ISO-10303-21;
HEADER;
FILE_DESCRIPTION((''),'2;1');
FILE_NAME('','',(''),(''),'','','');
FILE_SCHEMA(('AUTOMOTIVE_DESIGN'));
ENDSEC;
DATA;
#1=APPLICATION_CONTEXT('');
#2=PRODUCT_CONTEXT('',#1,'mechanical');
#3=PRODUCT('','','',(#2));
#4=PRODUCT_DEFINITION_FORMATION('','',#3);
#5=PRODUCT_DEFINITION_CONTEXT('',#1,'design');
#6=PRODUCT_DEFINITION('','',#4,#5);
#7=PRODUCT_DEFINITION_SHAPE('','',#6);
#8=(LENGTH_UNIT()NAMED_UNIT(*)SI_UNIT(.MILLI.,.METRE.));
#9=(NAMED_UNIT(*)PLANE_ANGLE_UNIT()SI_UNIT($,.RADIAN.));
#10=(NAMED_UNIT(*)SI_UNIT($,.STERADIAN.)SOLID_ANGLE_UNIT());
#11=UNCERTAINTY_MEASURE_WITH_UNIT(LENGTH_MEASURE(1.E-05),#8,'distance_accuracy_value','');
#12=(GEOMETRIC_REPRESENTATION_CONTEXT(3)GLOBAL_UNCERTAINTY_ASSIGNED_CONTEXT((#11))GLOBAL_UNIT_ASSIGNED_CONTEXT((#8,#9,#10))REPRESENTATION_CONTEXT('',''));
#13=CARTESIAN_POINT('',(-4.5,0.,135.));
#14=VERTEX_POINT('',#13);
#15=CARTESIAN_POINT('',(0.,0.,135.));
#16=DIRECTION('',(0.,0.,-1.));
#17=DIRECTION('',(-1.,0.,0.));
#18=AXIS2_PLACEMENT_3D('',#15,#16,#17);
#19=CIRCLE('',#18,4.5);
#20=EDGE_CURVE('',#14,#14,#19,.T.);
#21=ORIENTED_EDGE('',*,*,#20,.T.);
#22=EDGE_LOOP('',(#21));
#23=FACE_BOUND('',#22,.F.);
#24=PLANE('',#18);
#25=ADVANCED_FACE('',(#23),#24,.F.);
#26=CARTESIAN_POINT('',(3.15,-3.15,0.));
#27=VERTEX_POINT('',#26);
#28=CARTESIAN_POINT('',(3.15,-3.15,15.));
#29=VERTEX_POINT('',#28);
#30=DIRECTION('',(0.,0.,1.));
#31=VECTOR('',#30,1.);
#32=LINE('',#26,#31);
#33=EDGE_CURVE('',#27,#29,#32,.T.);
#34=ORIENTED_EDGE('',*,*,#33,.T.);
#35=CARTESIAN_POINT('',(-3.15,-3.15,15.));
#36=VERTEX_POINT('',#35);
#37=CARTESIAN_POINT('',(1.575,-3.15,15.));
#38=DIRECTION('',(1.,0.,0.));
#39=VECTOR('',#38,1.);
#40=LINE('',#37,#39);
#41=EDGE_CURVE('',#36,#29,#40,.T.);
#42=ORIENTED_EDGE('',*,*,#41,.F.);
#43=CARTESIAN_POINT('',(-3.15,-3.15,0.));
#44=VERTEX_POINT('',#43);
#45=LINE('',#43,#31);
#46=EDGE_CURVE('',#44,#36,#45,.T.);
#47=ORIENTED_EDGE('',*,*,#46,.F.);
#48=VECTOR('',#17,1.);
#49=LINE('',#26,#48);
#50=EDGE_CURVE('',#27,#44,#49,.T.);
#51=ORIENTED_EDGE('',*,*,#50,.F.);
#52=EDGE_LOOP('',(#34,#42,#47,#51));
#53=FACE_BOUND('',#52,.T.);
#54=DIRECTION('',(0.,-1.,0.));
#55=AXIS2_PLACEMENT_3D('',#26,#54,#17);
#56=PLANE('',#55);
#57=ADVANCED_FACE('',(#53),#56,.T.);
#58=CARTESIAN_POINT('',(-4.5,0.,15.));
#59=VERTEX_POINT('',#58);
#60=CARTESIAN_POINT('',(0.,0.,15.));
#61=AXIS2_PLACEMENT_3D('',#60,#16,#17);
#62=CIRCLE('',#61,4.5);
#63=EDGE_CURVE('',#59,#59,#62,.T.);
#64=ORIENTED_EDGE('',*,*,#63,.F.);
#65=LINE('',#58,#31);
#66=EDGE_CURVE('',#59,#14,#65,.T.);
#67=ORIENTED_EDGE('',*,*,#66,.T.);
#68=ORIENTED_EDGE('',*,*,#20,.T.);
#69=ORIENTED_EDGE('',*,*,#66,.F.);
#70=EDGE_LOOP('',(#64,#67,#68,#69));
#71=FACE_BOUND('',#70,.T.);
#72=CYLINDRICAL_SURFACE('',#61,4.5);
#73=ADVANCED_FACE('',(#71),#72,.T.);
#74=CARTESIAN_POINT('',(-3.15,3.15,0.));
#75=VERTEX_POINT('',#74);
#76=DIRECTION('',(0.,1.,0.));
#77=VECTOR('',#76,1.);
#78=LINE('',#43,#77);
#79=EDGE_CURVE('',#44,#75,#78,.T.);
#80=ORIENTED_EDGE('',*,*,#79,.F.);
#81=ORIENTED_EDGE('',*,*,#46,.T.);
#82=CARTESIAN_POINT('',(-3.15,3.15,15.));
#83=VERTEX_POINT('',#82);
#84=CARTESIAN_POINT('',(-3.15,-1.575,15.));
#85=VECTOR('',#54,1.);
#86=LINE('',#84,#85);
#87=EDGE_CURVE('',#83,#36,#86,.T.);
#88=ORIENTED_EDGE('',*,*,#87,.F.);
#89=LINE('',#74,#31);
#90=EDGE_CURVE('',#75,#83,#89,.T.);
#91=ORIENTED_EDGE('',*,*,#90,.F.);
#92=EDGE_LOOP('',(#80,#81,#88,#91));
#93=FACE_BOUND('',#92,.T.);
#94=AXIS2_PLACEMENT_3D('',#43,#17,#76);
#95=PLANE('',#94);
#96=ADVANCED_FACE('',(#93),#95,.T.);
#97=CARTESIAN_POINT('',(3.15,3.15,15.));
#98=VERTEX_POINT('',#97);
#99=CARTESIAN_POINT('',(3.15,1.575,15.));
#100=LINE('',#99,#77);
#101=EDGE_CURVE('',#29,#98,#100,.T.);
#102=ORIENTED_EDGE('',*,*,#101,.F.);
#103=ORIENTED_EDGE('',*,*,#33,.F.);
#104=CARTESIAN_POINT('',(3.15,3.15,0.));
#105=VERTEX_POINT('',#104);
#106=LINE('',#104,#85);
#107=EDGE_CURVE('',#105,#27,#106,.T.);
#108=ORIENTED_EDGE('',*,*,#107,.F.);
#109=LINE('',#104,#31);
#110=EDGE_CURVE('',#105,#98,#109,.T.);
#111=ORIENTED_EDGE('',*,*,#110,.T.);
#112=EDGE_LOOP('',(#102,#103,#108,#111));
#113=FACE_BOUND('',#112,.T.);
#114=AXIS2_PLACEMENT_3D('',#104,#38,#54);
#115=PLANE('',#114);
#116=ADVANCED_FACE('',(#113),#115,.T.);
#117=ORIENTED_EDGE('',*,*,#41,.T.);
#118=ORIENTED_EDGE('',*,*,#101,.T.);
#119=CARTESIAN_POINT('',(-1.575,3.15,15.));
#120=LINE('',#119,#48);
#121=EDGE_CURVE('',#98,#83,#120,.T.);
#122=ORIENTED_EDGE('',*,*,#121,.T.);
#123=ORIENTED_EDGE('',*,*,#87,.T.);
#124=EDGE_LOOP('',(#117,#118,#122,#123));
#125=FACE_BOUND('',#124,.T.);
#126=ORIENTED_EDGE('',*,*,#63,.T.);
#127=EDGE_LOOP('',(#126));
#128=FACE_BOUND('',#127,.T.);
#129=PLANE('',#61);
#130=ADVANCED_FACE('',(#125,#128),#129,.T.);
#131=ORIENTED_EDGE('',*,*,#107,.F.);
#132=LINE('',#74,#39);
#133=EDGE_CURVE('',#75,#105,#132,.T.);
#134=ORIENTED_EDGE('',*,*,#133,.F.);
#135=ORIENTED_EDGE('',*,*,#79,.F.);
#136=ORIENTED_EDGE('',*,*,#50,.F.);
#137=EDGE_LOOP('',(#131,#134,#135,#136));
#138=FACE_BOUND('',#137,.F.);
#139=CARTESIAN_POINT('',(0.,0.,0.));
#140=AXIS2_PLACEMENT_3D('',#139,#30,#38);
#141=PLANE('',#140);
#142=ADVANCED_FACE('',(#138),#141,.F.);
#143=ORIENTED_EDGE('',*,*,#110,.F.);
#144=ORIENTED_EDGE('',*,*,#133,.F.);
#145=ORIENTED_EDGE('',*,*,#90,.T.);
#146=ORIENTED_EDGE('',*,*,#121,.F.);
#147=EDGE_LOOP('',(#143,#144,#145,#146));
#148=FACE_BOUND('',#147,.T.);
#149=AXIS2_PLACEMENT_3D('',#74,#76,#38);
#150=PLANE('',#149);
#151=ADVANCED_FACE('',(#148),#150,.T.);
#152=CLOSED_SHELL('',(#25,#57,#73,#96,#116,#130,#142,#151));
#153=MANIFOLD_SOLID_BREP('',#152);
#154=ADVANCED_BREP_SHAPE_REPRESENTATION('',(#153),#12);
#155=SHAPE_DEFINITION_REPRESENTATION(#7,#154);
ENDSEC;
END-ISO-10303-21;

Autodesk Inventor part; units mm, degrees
ref_plane "YZ Plane" through (0, 0, 0) normal (1, 0, 0) x (0, 1, 0)
ref_plane "XZ Plane" through (0, 0, 0) normal (0, 1, 0) x (-1, 0, 0)
sketch "Boceto1" plane through (0, 0, 0) normal (0, 0, 1) x (1, 0, 0)
  line L0 (3.15, -3.15) -> (-3.15, -3.15)
  line L1 (-3.15, -3.15) -> (-3.15, 3.15)
  line L2 (-3.15, 3.15) -> (3.15, 3.15)
  line L3 (3.15, 3.15) -> (3.15, -3.15)
  line L4 (3.15, -3.15) -> (-3.15, 3.15) construction
  line L5 (-3.15, -3.15) -> (3.15, 3.15) construction
  point P0 (0, 0)
  dimension "d0" = 6.3
  dimension "d1" = 6.3
extrude "Extrusión1" add sketch "Boceto1" along normal blind 135
ref_plane "Plano de trabajo2" through (0, 0, 15) normal (0, 0, -1) x (-1, 0, 0)
sketch "Boceto3" plane through (0, 0, 15) normal (0, 0, -1) x (-1, 0, 0)
  circle A0 centre (0, 0) radius 4.5
  dimension "d9" = 9
extrude "Extrusión3" add sketch "Boceto3" against normal up to surface (120 mm away)
